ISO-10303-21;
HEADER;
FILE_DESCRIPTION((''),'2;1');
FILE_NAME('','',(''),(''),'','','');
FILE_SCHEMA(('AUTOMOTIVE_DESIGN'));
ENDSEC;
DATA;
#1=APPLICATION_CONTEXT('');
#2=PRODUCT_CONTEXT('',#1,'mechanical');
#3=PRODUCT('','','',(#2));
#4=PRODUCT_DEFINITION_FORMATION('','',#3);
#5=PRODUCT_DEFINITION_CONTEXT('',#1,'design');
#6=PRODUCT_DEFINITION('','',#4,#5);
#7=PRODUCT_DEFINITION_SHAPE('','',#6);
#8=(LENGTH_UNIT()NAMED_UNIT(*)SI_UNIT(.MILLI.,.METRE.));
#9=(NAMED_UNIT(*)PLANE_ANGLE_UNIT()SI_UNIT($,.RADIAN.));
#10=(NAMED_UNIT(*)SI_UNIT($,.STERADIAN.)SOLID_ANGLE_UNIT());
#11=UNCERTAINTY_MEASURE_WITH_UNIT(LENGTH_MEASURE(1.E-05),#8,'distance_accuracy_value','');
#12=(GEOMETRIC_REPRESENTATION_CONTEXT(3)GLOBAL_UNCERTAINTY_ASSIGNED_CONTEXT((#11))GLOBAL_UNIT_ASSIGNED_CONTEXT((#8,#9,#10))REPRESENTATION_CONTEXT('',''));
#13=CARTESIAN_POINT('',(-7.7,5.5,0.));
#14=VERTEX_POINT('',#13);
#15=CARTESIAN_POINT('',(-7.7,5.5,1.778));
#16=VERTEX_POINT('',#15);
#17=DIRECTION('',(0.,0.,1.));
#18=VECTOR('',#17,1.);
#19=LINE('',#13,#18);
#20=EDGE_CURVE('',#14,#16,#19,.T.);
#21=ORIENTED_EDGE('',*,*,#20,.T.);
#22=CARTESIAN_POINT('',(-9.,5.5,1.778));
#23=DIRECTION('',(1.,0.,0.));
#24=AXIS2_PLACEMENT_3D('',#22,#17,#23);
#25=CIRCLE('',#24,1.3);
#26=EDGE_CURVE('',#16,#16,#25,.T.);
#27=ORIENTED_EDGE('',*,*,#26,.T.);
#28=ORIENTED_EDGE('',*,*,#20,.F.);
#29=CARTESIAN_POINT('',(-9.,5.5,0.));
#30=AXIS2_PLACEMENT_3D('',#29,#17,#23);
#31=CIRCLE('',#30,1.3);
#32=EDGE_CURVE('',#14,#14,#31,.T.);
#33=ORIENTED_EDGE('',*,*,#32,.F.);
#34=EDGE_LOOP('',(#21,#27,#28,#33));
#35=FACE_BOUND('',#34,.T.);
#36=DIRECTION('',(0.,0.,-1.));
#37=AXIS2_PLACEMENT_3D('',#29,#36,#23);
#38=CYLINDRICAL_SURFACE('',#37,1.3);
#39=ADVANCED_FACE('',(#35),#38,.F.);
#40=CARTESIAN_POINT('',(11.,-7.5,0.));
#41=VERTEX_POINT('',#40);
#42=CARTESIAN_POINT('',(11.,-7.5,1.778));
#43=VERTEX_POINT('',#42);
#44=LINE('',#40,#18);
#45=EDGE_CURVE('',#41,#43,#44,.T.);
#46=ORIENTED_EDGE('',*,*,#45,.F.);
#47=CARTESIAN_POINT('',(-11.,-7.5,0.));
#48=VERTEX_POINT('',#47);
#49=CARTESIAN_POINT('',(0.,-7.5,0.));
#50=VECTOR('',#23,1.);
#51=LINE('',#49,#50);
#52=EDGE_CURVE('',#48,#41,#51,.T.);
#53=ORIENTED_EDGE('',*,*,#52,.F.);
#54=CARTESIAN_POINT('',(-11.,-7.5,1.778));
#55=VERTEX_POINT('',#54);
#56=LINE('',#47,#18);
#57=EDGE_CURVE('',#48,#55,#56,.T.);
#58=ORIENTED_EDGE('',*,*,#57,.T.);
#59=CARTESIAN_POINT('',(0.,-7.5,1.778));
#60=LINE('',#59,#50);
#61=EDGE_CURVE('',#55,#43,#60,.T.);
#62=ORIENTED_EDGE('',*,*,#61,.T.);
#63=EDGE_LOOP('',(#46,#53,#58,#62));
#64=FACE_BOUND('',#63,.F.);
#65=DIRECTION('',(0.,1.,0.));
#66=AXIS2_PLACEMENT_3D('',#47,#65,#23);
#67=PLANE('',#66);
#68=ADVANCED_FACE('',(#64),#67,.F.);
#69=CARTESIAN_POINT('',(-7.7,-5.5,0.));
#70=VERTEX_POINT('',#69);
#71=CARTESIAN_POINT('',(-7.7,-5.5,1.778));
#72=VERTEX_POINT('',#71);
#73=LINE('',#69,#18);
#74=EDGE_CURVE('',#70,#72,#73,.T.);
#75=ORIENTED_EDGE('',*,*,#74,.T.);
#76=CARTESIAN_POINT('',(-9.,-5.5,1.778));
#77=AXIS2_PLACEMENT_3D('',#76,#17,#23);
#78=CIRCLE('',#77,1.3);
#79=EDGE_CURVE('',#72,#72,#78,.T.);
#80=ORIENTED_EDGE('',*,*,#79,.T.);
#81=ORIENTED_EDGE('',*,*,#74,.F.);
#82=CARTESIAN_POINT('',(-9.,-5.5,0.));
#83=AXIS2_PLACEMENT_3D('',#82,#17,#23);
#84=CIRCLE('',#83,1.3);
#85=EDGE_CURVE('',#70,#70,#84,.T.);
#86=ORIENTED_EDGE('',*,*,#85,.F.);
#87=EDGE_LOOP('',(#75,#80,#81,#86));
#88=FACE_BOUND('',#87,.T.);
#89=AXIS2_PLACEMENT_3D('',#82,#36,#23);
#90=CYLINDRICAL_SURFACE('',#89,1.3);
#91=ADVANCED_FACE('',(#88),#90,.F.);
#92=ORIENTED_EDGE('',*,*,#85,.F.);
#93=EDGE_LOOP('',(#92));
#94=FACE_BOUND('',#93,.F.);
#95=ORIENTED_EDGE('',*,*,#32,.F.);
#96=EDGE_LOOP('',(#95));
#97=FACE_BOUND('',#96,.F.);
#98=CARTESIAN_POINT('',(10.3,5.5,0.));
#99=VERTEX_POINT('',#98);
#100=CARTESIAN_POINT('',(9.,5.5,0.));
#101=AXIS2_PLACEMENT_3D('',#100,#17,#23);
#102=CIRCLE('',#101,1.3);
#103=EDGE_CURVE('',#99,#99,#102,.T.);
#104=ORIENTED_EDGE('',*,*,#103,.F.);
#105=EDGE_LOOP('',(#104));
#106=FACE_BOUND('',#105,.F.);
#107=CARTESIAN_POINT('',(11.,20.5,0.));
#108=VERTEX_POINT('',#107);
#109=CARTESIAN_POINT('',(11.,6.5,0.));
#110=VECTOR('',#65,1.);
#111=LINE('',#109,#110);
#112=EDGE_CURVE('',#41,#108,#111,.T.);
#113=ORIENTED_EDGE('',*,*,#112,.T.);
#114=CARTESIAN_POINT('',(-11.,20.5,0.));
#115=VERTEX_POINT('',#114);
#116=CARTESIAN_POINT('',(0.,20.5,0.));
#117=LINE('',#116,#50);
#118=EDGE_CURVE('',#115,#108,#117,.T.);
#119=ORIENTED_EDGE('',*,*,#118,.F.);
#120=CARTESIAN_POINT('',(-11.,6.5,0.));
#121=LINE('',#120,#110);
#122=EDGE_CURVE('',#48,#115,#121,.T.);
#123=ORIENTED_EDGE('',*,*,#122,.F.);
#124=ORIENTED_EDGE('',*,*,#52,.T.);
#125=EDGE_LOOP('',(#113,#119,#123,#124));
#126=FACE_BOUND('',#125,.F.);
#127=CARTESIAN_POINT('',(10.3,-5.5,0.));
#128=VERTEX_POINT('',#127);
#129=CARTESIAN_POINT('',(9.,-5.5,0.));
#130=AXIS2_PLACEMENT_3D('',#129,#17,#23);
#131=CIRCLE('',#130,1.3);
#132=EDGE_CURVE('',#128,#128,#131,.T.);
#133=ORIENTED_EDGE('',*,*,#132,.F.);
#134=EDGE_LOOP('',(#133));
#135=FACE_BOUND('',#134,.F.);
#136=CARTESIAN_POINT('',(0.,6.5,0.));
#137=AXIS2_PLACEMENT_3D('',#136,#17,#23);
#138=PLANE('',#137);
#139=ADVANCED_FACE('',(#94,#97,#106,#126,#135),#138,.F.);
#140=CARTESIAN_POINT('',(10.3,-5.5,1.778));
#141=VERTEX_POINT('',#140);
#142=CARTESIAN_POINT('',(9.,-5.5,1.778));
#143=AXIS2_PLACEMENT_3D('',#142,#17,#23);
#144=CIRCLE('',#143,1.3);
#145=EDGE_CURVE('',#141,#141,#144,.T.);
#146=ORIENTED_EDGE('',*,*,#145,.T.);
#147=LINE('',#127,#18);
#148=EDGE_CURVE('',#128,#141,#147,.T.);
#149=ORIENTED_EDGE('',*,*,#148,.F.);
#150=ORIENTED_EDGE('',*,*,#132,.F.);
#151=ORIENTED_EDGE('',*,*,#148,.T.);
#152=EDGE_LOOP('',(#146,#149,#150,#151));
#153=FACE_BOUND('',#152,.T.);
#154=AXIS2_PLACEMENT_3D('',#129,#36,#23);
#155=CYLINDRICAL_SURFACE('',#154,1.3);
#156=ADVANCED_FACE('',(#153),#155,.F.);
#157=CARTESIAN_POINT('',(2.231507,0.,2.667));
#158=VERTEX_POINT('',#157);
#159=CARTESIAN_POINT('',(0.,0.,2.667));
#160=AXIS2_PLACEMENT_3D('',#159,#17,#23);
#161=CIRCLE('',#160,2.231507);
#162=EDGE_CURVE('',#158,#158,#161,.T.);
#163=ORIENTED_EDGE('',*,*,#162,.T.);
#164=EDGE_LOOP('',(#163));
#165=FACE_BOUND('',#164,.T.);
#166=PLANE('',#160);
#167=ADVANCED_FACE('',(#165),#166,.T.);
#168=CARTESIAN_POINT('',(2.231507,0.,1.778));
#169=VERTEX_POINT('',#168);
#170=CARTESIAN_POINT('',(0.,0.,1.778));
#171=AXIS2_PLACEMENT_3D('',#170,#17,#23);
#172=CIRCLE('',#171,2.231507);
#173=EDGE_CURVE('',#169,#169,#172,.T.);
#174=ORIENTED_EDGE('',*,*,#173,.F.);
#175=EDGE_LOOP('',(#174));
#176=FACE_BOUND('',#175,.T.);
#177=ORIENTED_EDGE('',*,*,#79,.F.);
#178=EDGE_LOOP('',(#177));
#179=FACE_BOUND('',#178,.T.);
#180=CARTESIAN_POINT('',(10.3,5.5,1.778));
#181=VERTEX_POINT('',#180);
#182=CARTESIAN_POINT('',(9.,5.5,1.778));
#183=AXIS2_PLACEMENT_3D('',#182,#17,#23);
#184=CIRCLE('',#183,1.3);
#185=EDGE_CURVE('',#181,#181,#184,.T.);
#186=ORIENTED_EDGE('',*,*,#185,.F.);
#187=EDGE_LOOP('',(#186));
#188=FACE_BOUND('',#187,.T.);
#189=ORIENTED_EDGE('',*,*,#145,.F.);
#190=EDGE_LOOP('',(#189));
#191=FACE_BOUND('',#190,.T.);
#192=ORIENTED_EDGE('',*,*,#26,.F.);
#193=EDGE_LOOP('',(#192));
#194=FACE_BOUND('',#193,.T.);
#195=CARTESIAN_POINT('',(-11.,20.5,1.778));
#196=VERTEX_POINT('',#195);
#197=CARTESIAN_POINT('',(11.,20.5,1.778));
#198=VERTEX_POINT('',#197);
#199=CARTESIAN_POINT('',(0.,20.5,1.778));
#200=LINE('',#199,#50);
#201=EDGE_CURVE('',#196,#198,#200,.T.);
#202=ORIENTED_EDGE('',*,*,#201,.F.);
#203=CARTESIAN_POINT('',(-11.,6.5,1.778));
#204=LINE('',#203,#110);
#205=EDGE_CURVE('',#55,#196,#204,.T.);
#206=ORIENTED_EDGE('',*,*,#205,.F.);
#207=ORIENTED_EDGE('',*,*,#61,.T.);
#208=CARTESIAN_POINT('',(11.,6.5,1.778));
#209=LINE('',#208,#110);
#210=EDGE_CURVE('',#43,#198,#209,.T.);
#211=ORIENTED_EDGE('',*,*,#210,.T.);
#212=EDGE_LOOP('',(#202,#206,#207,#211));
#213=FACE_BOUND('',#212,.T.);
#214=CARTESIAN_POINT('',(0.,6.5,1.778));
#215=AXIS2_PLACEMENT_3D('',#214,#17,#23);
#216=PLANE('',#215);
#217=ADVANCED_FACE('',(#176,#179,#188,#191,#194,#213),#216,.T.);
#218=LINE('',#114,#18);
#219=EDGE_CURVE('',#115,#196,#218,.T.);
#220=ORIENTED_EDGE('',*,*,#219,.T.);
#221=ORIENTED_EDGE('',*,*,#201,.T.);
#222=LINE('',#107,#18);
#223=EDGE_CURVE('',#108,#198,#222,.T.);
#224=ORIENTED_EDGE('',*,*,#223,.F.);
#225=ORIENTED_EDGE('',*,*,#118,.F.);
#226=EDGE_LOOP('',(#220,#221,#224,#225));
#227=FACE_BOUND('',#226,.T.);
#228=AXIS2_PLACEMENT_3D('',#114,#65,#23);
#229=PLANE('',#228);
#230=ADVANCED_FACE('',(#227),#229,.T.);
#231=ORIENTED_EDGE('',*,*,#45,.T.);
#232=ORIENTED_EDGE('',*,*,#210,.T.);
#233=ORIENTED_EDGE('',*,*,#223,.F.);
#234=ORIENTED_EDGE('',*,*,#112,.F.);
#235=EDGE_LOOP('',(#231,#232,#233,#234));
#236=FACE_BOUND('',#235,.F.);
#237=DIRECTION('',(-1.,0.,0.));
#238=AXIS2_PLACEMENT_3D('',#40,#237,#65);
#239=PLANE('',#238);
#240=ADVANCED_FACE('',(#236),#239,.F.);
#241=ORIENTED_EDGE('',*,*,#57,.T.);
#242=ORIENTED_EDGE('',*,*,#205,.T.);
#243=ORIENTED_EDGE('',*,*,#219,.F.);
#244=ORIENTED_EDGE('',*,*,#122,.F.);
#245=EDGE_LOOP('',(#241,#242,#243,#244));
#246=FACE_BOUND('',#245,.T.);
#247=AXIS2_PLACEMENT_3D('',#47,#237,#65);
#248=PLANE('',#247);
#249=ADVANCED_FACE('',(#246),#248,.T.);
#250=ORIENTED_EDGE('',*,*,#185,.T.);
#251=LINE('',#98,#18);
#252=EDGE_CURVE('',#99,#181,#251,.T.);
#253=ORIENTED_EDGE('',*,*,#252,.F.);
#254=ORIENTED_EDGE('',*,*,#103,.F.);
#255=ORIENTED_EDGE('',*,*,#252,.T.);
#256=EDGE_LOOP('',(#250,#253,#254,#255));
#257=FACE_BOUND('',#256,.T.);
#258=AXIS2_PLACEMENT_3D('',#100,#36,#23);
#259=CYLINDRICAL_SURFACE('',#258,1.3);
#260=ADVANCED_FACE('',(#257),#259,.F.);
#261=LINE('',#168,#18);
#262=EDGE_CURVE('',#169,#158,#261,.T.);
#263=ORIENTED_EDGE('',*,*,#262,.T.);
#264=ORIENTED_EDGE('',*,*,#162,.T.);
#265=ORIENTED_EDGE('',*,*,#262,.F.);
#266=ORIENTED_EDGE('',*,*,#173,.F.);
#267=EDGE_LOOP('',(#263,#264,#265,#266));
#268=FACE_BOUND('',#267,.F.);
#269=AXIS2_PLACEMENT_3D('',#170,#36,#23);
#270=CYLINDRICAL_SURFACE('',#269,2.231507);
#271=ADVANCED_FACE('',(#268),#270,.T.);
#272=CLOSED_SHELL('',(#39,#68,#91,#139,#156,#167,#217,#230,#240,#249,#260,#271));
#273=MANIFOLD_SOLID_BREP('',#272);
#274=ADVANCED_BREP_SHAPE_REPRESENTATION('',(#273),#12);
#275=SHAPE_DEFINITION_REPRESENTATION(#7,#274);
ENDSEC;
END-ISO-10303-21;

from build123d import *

# Parameters (mm, degrees)
F0_W     = 22
F0_H     = 28
F0_R     = 1.3
F1_DEPTH = 1.778
F2_R     = 2.231507
F3_DEPTH = 0.889


with BuildPart() as f1:
    # F0 (on Top) → F1 (new body)
    with BuildSketch(Plane.XY):
        with Locations((0, 6.5)):
            Rectangle(F0_W, F0_H)
        with Locations((-9, -5.5)):
            Circle(F0_R, mode=Mode.SUBTRACT)
        with Locations((-9, 5.5)):
            Circle(F0_R, mode=Mode.SUBTRACT)
        with Locations((9, -5.5)):
            Circle(F0_R, mode=Mode.SUBTRACT)
        with Locations((9, 5.5)):
            Circle(F0_R, mode=Mode.SUBTRACT)
    extrude(amount=F1_DEPTH)

    # F2 (on face) → F3 (join)
    with BuildSketch(Plane.XY.offset(1.778)):
        Circle(F2_R)
    extrude(amount=F3_DEPTH)


solid = f1.part
